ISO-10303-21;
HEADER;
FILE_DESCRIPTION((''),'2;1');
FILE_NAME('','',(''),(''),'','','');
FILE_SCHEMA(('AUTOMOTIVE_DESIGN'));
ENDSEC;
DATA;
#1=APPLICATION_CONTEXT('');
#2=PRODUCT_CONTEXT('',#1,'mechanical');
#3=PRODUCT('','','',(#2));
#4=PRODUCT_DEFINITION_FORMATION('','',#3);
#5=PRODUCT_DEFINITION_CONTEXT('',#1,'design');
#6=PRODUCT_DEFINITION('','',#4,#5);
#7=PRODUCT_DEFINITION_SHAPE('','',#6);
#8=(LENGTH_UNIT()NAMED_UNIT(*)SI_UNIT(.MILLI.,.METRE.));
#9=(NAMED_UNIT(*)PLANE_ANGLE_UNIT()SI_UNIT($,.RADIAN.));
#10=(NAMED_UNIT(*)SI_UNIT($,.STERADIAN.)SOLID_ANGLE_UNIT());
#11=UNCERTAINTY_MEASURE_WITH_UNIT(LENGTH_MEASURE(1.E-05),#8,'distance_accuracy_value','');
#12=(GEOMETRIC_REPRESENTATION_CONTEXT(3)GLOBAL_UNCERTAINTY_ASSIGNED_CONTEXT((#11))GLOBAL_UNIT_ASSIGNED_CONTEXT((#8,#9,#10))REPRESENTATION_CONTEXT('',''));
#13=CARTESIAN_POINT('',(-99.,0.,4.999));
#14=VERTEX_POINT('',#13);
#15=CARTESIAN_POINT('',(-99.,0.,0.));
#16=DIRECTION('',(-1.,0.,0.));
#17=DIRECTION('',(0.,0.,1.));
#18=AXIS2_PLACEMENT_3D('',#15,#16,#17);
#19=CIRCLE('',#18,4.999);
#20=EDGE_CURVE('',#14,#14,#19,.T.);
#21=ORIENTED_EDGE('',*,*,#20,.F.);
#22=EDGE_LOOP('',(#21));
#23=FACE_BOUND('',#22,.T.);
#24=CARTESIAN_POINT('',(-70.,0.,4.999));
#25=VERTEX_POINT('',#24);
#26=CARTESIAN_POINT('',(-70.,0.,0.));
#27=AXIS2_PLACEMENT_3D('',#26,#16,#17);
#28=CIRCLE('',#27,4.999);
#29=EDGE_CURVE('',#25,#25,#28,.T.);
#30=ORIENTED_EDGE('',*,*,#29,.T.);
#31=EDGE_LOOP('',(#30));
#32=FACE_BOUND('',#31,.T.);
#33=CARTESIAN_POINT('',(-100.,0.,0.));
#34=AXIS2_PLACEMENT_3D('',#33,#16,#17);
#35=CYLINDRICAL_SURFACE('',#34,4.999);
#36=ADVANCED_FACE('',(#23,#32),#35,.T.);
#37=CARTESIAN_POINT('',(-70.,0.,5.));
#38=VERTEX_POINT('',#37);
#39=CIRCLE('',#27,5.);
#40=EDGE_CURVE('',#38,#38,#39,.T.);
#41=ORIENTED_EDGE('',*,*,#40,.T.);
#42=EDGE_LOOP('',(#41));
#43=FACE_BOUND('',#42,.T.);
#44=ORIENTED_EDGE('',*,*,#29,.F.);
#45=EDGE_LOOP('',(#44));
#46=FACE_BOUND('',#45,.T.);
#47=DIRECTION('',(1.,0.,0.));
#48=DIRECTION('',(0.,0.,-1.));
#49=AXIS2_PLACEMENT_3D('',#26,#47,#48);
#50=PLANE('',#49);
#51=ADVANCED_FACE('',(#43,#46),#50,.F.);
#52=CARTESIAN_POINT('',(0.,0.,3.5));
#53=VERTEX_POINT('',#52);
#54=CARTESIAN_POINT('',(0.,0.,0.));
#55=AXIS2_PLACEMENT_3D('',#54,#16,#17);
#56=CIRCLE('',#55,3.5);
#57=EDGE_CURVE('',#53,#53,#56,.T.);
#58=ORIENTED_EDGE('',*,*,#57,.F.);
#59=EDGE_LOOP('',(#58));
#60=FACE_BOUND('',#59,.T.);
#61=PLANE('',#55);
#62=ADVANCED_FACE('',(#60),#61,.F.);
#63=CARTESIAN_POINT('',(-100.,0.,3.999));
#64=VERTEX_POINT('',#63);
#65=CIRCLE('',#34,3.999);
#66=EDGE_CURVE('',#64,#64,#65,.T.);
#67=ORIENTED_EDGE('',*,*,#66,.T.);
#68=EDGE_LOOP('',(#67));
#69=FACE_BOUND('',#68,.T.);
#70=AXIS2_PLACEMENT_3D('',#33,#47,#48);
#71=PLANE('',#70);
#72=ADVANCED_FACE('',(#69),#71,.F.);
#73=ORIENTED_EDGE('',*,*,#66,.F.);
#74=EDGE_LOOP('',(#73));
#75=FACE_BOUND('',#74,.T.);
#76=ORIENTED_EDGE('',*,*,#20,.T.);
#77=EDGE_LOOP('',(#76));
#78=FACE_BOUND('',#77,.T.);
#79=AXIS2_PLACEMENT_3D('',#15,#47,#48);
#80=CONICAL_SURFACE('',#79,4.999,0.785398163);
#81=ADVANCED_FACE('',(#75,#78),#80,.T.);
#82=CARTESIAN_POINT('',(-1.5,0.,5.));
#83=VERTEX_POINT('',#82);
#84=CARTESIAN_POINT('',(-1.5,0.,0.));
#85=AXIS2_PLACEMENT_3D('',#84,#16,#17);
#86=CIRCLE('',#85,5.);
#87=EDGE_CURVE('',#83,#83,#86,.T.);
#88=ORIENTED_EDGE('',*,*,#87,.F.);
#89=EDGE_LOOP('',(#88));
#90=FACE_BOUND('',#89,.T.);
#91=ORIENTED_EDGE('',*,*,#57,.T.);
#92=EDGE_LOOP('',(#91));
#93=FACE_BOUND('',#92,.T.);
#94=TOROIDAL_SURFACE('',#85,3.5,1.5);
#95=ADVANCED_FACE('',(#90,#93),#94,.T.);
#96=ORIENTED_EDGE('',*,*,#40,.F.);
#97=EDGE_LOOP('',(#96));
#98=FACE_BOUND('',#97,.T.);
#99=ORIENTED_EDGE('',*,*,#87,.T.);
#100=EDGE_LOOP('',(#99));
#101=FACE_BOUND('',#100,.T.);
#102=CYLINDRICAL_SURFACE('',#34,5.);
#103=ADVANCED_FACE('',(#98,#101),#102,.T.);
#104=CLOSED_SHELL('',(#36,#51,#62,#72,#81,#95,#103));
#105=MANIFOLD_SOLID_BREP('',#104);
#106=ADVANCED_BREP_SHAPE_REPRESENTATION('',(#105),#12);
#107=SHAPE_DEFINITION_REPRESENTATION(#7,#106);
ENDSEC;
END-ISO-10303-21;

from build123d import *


with BuildPart() as part:
    # Esquisse1 → Révolution1 (revolve)
    with BuildSketch(Plane.XY):
        with BuildLine():
            Line((-100, 0), (0, 0))
            Line((0, 0), (0, 3.5))
            ThreePointArc((0, 3.5), (-0.439339828, 4.560660172), (-1.5, 5))
            Line((-1.5, 5), (-70, 5))
            Line((-70, 5), (-70, 4.999))
            Line((-70, 4.999), (-99, 4.999))
            Line((-99, 4.999), (-100, 3.999))
            Line((-100, 3.999), (-100, 0))
        make_face()
    revolve(axis=Axis((-100, 0, 0), (1, 0, 0)))


solid = part.part
